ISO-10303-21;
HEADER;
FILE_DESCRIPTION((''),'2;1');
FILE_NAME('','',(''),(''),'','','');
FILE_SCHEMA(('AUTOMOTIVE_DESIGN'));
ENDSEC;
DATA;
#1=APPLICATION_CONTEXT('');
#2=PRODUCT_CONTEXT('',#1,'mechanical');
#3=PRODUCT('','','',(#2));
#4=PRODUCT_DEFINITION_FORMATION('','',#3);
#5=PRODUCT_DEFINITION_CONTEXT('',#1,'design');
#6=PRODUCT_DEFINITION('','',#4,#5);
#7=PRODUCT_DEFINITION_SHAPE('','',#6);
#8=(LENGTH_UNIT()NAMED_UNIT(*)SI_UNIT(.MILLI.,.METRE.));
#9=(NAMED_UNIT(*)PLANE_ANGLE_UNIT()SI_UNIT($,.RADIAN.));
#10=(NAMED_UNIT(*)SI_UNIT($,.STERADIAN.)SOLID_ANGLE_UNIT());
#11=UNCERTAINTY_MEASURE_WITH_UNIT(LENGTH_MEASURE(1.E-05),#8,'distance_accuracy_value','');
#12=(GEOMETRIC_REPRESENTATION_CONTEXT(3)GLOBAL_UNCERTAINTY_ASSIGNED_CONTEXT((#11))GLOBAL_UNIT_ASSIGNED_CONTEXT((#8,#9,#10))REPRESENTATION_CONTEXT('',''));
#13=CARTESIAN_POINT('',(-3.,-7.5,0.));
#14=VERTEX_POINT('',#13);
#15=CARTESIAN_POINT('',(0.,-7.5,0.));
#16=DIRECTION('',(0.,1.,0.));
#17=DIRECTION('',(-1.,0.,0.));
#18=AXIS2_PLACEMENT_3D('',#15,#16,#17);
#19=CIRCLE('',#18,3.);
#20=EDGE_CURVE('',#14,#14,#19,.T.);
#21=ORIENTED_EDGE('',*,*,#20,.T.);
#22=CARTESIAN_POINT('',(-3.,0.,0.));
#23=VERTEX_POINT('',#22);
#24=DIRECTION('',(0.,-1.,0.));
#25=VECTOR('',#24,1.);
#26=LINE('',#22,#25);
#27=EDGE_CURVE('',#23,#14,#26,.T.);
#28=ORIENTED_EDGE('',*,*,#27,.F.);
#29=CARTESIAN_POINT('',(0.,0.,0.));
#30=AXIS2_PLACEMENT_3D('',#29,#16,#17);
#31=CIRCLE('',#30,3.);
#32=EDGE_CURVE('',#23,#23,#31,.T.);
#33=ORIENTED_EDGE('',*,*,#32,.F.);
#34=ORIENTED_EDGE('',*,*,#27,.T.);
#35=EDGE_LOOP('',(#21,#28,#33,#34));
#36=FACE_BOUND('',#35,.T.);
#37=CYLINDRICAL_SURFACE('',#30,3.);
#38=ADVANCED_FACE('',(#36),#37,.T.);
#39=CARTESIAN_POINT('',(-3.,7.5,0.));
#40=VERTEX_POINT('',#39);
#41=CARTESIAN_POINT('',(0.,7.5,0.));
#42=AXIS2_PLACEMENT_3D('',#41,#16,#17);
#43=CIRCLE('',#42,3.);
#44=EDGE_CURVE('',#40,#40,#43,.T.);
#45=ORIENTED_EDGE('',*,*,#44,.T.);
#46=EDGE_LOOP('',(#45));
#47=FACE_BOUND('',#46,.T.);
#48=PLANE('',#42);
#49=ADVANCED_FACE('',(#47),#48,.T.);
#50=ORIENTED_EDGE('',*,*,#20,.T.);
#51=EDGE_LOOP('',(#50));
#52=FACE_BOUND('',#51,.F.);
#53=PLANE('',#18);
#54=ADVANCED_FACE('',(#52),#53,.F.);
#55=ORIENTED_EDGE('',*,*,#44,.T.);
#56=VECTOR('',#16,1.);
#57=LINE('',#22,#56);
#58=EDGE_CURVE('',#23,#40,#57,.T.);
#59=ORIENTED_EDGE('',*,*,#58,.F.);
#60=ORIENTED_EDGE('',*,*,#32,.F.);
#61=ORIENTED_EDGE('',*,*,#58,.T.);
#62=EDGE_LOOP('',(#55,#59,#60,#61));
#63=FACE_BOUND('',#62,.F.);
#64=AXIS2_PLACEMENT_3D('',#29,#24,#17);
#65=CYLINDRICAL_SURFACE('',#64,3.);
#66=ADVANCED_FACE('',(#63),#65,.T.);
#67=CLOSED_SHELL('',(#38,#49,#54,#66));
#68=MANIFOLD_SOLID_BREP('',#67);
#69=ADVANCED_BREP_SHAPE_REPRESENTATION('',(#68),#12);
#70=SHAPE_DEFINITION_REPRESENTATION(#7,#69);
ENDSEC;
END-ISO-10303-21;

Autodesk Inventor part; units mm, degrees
ref_plane "YZ Plane" through (0, 0, 0) normal (1, 0, 0) x (0, 1, 0)
ref_plane "XZ Plane" through (0, 0, 0) normal (0, 1, 0) x (-1, 0, 0)
ref_plane "XY Plane" through (0, 0, 0) normal (0, 0, 1) x (1, 0, 0)
sketch "Boceto1" plane through (0, 0, 0) normal (0, 1, 0) x (-1, 0, 0)
  circle A0 centre (0, 0) radius 3
  dimension "d0" = 6
extrude "Extrusión1" add sketch "Boceto1" along normal mid plane 15
properties part number "M4B05"
